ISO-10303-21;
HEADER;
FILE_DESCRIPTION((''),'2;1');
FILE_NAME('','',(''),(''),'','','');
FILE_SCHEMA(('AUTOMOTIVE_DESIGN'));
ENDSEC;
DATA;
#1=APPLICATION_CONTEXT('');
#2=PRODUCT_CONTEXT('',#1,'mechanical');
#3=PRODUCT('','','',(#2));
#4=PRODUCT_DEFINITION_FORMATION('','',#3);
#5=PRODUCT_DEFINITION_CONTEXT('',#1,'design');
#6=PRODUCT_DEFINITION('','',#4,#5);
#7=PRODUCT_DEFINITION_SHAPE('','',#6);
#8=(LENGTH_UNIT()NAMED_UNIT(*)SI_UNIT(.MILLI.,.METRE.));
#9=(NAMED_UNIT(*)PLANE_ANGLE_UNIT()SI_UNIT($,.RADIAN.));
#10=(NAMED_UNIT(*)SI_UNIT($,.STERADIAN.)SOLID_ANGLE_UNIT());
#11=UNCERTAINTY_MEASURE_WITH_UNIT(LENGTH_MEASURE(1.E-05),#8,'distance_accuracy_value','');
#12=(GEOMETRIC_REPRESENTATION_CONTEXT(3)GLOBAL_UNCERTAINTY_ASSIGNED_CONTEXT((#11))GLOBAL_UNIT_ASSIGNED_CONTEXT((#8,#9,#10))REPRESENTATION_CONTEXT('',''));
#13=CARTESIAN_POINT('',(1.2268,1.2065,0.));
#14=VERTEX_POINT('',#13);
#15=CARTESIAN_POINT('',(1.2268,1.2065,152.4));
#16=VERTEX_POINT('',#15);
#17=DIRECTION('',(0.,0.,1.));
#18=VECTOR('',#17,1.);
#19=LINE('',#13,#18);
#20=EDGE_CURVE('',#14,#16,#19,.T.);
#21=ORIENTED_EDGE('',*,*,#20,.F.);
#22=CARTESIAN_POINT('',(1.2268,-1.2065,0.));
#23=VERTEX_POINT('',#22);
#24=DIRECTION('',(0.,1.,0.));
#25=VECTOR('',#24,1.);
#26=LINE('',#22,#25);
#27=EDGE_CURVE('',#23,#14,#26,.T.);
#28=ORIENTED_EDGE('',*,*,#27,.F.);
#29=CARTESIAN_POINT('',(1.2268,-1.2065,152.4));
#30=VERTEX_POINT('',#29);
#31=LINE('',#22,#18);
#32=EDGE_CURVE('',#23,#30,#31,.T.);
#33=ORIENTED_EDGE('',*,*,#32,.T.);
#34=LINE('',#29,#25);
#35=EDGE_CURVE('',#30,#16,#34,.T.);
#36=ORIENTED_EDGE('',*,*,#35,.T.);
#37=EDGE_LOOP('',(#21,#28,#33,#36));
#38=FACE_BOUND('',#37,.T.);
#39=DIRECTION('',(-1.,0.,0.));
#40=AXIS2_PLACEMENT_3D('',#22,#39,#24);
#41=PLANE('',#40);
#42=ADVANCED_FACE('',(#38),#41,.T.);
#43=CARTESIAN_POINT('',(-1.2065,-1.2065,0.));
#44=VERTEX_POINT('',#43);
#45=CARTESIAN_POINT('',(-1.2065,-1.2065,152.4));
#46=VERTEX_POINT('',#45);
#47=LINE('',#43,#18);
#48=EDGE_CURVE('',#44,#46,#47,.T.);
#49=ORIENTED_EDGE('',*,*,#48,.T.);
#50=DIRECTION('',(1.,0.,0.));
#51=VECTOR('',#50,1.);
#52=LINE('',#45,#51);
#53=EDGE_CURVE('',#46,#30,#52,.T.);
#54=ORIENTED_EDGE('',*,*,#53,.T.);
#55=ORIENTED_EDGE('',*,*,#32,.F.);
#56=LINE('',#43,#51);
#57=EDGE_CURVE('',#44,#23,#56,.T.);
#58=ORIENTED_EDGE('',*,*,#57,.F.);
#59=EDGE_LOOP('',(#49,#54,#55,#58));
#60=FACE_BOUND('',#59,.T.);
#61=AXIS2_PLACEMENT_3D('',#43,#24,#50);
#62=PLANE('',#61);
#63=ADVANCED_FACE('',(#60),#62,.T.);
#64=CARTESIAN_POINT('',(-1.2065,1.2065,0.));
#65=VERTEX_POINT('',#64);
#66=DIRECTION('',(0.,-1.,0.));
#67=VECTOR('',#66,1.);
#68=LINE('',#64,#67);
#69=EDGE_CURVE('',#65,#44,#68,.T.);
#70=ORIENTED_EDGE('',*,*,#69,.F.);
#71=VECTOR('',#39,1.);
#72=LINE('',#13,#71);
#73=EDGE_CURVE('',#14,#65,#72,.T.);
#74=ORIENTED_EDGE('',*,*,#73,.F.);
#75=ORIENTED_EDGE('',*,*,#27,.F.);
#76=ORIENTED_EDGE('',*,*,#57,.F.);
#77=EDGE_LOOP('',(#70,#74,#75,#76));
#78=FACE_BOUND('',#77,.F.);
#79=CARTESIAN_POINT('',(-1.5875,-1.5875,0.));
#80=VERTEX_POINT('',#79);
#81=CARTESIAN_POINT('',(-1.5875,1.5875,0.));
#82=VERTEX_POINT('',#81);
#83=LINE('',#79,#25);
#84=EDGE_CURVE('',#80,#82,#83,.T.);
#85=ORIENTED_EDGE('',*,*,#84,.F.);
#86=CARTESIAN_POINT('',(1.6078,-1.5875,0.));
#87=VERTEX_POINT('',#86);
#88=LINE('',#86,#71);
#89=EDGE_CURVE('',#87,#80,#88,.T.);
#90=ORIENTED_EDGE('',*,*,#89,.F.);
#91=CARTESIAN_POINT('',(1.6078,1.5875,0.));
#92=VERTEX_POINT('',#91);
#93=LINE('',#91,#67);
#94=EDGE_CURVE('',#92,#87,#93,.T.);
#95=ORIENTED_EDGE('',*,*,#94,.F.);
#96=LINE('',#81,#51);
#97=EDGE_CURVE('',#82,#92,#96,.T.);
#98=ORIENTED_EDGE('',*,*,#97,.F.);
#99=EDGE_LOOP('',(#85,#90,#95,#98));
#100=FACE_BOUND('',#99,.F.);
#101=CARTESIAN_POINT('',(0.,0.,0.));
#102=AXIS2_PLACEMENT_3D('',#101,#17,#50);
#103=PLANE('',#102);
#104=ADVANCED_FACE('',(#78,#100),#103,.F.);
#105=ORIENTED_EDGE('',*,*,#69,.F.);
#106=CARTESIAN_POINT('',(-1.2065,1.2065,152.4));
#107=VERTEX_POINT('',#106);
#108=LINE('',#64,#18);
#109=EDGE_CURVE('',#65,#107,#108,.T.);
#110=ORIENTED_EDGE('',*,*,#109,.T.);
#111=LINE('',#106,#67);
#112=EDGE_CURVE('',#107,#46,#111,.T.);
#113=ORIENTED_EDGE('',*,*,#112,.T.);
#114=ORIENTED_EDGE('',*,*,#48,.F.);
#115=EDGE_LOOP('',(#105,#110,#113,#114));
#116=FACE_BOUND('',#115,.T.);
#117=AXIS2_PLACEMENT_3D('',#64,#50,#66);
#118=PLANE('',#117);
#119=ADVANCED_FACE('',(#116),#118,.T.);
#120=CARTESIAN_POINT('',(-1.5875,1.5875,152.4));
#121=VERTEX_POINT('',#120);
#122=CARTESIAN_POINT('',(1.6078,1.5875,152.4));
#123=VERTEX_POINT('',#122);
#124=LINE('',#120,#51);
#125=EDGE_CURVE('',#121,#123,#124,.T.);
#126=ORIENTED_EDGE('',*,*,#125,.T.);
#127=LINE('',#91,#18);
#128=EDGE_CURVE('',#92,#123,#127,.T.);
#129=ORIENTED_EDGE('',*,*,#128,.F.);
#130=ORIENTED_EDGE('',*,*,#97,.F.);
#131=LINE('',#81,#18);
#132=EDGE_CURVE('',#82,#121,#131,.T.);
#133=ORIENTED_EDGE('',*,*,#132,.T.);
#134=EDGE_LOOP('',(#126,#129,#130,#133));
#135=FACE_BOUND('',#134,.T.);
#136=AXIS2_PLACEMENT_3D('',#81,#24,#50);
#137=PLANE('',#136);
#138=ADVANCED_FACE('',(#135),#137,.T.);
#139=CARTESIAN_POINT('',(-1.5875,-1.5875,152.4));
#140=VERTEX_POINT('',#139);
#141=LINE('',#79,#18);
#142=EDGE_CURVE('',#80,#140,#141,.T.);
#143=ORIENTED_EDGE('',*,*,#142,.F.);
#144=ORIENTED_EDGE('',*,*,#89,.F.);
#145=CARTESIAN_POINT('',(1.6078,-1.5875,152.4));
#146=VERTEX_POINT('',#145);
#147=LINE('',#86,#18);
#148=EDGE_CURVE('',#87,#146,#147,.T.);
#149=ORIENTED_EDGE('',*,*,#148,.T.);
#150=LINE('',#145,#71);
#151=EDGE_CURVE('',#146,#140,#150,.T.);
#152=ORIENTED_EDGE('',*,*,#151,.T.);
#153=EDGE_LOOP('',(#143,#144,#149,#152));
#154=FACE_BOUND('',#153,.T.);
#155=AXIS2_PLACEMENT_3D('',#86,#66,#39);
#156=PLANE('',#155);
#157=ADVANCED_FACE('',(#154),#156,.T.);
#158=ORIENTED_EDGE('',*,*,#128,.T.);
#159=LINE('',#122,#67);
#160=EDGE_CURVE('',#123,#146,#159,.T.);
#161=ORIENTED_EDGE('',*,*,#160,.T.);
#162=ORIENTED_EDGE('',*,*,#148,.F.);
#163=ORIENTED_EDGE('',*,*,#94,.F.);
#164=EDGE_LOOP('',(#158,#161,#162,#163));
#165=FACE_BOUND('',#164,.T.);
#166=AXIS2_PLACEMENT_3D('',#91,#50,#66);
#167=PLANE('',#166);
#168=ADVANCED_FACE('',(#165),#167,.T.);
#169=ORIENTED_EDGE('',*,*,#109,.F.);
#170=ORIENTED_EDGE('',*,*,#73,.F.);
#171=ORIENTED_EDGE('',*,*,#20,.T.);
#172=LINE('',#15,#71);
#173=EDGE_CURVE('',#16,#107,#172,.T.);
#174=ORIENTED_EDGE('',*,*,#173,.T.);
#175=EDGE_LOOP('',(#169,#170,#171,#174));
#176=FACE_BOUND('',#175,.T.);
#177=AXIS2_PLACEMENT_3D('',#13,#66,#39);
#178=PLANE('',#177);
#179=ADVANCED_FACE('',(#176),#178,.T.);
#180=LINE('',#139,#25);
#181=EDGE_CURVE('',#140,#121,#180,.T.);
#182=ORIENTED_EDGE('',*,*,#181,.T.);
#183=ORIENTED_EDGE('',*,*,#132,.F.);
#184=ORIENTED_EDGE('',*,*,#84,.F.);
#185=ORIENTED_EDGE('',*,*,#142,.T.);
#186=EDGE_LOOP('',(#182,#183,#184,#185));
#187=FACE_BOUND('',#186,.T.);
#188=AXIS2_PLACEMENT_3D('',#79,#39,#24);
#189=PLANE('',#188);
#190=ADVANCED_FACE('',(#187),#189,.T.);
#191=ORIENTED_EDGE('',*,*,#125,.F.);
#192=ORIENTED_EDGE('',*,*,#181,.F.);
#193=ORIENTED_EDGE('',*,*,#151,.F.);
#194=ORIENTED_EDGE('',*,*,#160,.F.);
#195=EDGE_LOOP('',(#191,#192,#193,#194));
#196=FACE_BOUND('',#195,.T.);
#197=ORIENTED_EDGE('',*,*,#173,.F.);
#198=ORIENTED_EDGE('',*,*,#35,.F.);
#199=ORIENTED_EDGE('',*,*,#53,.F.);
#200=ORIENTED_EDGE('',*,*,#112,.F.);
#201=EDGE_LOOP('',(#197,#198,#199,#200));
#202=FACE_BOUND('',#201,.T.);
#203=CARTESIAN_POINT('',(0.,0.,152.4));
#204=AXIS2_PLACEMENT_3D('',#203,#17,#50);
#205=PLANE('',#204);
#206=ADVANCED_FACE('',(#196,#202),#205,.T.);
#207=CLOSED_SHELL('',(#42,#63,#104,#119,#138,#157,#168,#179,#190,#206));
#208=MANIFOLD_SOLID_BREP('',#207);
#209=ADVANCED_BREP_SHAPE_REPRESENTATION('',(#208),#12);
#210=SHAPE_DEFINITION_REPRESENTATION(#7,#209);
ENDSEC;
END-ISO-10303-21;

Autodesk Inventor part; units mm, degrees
ref_plane "YZ Plane" through (0, 0, 0) normal (1, 0, 0) x (0, 1, 0)
ref_plane "XZ Plane" through (0, 0, 0) normal (0, 1, 0) x (-1, 0, 0)
ref_plane "XY Plane" through (0, 0, 0) normal (0, 0, 1) x (1, 0, 0)
sketch "Sketch1" plane through (0, 0, 0) normal (0, 0, 1) x (1, 0, 0)
  line L0 (-1.5875, 1.5875) -> (1.6078, 1.5875)
  line L1 (1.6078, 1.5875) -> (1.6078, -1.5875)
  line L2 (1.6078, -1.5875) -> (-1.5875, -1.5875)
  line L3 (-1.5875, -1.5875) -> (-1.5875, 1.5875)
  line L4 (1.2268, 1.2065) -> (-1.2065, 1.2065)
  line L5 (-1.2065, 1.2065) -> (-1.2065, -1.2065)
  line L6 (-1.2065, -1.2065) -> (1.2268, -1.2065)
  line L7 (1.2268, -1.2065) -> (1.2268, 1.2065)
  point P0 (0, 0)
  dimension "d0" = 1.5875
  dimension "d1" = 1.5875
  dimension "d2" = 3.1953
  dimension "d3" = 3.175
  dimension "d4" = 0.381
  dimension "d5" = 0.381
  dimension "d6" = 0.381
  dimension "d7" = 0.381
extrude "Extrusion1" add sketch "Sketch1" along normal blind 152.4
properties part number "Push Rod"
